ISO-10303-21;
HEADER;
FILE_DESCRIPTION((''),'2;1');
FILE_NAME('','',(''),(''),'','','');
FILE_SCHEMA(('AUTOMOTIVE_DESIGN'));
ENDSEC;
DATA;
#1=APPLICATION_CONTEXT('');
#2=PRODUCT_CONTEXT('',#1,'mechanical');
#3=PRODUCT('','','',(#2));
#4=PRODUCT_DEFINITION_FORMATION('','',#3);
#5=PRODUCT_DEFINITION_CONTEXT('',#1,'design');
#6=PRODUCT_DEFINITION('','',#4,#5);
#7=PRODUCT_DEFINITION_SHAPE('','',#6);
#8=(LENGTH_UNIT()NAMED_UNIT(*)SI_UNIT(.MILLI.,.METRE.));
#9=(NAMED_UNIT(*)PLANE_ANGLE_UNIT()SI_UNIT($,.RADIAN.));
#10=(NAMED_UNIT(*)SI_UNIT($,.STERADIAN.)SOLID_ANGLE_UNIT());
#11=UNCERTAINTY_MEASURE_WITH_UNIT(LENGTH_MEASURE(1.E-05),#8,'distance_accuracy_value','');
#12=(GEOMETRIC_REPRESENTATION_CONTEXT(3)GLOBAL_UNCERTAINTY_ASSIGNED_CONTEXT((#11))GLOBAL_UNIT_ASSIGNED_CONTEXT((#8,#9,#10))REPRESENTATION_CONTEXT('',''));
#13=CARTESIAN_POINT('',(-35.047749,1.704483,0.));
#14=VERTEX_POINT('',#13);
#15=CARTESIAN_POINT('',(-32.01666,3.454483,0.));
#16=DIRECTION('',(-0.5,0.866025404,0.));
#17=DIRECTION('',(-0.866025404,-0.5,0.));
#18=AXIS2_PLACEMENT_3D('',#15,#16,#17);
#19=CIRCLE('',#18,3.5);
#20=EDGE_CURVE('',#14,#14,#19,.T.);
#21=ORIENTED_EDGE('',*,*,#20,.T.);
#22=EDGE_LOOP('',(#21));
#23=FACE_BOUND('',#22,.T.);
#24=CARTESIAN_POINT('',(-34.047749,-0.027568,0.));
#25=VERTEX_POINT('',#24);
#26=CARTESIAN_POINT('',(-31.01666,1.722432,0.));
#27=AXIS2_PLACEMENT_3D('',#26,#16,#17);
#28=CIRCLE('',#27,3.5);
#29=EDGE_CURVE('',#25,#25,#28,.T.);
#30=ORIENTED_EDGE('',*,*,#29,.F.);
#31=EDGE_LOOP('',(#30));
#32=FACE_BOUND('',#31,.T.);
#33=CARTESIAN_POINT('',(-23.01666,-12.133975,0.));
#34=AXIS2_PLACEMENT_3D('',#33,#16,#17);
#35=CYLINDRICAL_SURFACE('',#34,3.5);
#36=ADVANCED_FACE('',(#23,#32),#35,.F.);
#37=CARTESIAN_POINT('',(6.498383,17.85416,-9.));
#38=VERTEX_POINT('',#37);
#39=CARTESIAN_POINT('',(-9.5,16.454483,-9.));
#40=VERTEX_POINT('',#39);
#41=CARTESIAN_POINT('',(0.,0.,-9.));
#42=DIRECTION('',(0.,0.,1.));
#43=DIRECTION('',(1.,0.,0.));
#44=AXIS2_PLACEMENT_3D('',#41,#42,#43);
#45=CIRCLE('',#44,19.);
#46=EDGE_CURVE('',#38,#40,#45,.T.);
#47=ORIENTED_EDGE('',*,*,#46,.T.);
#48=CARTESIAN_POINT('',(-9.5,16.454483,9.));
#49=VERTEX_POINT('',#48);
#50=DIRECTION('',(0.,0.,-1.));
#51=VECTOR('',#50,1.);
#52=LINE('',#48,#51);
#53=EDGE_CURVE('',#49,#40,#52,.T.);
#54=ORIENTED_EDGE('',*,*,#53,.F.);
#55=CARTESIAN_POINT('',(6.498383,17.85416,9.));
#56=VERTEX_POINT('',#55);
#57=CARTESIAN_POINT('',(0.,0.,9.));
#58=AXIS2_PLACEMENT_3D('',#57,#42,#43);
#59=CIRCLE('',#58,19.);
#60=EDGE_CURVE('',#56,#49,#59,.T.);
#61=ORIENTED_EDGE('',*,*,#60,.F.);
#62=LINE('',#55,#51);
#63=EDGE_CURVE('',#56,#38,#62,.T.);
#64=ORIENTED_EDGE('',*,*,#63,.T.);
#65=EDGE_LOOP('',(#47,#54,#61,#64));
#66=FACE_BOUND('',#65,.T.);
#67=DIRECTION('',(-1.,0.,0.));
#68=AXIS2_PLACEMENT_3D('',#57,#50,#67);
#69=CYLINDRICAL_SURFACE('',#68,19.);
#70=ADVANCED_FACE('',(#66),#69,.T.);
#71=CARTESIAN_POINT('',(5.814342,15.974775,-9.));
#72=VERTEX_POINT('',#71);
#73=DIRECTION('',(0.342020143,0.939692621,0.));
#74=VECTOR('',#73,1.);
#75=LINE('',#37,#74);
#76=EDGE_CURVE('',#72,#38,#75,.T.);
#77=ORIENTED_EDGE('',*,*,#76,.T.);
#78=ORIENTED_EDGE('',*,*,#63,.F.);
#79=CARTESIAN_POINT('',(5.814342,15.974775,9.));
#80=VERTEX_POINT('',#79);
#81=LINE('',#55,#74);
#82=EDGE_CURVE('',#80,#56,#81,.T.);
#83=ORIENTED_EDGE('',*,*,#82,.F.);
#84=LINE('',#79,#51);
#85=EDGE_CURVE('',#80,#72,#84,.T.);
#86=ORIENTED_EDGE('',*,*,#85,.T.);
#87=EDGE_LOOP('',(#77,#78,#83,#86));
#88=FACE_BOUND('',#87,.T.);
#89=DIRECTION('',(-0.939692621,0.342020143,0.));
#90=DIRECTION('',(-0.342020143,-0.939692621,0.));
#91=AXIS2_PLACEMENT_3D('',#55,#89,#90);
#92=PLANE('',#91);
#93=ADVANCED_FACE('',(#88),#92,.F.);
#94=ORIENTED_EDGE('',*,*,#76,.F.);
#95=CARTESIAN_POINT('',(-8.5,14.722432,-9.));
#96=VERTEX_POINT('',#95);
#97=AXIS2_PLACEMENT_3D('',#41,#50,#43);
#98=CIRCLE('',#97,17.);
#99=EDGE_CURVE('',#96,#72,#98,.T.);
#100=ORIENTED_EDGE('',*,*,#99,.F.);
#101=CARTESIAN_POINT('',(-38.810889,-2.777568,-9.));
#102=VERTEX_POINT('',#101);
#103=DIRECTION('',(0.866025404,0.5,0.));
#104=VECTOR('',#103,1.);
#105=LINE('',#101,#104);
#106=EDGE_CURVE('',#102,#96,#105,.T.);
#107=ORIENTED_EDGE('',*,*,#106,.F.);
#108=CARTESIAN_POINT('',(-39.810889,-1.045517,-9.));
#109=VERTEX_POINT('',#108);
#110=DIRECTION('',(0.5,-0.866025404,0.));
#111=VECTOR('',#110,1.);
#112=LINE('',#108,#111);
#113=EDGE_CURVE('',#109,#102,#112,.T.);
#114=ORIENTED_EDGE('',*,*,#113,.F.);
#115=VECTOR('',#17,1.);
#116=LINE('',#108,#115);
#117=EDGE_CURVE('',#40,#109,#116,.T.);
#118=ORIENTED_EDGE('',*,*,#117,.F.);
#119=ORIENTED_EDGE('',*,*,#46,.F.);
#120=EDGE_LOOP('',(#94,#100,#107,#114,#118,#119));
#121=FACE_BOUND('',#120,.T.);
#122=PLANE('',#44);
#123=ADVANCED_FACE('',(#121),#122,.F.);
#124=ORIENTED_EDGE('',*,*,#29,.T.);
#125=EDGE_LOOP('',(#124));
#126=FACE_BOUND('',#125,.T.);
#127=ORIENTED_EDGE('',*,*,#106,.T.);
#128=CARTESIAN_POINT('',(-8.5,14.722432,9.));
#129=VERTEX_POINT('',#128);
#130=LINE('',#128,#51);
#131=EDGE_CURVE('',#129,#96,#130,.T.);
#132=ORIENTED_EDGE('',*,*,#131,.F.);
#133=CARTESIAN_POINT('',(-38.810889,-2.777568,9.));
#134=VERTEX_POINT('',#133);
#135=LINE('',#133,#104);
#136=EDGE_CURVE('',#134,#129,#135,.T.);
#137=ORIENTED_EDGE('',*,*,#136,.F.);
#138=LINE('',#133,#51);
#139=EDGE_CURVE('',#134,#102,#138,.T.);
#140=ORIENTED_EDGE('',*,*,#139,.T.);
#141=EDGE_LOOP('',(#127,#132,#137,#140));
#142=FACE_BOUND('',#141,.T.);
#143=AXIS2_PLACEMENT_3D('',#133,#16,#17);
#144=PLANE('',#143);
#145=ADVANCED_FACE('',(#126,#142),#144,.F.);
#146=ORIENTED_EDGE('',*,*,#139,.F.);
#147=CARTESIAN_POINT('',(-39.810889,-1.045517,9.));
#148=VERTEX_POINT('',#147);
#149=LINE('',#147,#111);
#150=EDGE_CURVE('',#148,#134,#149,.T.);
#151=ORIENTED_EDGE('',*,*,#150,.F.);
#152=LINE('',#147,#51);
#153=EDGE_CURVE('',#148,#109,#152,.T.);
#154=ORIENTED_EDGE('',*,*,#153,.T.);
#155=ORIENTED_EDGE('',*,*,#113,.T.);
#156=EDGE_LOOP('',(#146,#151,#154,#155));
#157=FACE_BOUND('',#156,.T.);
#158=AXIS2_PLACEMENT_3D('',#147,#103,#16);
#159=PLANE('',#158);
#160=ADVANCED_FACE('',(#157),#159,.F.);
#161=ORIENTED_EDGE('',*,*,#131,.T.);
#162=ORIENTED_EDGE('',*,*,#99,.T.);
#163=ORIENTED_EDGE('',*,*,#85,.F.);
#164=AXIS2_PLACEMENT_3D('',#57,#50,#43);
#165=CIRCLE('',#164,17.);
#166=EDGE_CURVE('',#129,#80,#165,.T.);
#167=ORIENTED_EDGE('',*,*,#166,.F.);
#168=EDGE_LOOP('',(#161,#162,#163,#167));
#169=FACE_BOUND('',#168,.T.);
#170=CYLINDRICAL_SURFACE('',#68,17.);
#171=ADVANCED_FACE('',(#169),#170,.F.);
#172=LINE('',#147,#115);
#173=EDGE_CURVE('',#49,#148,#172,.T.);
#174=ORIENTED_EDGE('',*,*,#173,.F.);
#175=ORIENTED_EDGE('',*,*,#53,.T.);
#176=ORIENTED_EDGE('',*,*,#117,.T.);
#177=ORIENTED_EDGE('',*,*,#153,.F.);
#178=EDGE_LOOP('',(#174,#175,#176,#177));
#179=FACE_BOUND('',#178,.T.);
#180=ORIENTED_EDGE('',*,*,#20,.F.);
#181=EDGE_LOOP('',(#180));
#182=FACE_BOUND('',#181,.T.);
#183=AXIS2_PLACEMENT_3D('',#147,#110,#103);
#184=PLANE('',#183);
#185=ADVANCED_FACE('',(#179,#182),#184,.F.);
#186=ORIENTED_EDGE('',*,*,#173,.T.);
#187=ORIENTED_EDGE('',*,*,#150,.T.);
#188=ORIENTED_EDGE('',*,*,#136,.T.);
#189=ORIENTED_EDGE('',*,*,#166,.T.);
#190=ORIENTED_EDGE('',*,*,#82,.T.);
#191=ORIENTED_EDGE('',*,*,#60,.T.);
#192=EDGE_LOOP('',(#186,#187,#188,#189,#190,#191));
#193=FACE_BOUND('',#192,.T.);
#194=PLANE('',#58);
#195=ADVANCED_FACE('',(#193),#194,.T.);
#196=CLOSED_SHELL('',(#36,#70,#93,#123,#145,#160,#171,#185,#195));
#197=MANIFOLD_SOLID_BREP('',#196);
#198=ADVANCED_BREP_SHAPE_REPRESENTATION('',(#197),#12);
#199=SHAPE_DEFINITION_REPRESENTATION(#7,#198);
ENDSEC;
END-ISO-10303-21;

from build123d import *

# Parameters (mm, degrees)
EXTRUDE_1_DEPTH     = 9
SKETCH_2_R          = 3.5
CUT_EXTRUDE_1_DEPTH = 18


with BuildPart() as part:
    # 草图1 → 凸台-拉伸1 (new, symmetric)
    with BuildSketch(Plane.XY):
        with BuildLine():
            Line((-38.810889132, -2.777568136), (-8.5, 14.722431864))
            ThreePointArc((-8.5, 14.722431864), (-1.481647627, 16.935309868), (5.814342437, 15.974774553))
            Line((5.814342437, 15.974774553), (6.498382723, 17.854159795))
            ThreePointArc((6.498382723, 17.854159795), (-1.655959112, 18.927699264), (-9.5, 16.454482672))
            Line((-9.5, 16.454482672), (-39.810889132, -1.045517328))
            Line((-39.810889132, -1.045517328), (-38.810889132, -2.777568136))
        make_face()
    extrude(amount=EXTRUDE_1_DEPTH, both=True)

    # 草图2 → 切除-拉伸1 (cut)
    with BuildSketch(Plane(origin=(-9.5, 16.454482672, 0), x_dir=(0.8660254037844398, 0.49999999999999806, 0), z_dir=(-0.49999999999999806, 0.8660254037844398, 0))):
        with Locations(Location((-26, 0, 0), (0, 0, 180))):
            Circle(SKETCH_2_R)
    extrude(amount=-CUT_EXTRUDE_1_DEPTH, mode=Mode.SUBTRACT)


solid = part.part
